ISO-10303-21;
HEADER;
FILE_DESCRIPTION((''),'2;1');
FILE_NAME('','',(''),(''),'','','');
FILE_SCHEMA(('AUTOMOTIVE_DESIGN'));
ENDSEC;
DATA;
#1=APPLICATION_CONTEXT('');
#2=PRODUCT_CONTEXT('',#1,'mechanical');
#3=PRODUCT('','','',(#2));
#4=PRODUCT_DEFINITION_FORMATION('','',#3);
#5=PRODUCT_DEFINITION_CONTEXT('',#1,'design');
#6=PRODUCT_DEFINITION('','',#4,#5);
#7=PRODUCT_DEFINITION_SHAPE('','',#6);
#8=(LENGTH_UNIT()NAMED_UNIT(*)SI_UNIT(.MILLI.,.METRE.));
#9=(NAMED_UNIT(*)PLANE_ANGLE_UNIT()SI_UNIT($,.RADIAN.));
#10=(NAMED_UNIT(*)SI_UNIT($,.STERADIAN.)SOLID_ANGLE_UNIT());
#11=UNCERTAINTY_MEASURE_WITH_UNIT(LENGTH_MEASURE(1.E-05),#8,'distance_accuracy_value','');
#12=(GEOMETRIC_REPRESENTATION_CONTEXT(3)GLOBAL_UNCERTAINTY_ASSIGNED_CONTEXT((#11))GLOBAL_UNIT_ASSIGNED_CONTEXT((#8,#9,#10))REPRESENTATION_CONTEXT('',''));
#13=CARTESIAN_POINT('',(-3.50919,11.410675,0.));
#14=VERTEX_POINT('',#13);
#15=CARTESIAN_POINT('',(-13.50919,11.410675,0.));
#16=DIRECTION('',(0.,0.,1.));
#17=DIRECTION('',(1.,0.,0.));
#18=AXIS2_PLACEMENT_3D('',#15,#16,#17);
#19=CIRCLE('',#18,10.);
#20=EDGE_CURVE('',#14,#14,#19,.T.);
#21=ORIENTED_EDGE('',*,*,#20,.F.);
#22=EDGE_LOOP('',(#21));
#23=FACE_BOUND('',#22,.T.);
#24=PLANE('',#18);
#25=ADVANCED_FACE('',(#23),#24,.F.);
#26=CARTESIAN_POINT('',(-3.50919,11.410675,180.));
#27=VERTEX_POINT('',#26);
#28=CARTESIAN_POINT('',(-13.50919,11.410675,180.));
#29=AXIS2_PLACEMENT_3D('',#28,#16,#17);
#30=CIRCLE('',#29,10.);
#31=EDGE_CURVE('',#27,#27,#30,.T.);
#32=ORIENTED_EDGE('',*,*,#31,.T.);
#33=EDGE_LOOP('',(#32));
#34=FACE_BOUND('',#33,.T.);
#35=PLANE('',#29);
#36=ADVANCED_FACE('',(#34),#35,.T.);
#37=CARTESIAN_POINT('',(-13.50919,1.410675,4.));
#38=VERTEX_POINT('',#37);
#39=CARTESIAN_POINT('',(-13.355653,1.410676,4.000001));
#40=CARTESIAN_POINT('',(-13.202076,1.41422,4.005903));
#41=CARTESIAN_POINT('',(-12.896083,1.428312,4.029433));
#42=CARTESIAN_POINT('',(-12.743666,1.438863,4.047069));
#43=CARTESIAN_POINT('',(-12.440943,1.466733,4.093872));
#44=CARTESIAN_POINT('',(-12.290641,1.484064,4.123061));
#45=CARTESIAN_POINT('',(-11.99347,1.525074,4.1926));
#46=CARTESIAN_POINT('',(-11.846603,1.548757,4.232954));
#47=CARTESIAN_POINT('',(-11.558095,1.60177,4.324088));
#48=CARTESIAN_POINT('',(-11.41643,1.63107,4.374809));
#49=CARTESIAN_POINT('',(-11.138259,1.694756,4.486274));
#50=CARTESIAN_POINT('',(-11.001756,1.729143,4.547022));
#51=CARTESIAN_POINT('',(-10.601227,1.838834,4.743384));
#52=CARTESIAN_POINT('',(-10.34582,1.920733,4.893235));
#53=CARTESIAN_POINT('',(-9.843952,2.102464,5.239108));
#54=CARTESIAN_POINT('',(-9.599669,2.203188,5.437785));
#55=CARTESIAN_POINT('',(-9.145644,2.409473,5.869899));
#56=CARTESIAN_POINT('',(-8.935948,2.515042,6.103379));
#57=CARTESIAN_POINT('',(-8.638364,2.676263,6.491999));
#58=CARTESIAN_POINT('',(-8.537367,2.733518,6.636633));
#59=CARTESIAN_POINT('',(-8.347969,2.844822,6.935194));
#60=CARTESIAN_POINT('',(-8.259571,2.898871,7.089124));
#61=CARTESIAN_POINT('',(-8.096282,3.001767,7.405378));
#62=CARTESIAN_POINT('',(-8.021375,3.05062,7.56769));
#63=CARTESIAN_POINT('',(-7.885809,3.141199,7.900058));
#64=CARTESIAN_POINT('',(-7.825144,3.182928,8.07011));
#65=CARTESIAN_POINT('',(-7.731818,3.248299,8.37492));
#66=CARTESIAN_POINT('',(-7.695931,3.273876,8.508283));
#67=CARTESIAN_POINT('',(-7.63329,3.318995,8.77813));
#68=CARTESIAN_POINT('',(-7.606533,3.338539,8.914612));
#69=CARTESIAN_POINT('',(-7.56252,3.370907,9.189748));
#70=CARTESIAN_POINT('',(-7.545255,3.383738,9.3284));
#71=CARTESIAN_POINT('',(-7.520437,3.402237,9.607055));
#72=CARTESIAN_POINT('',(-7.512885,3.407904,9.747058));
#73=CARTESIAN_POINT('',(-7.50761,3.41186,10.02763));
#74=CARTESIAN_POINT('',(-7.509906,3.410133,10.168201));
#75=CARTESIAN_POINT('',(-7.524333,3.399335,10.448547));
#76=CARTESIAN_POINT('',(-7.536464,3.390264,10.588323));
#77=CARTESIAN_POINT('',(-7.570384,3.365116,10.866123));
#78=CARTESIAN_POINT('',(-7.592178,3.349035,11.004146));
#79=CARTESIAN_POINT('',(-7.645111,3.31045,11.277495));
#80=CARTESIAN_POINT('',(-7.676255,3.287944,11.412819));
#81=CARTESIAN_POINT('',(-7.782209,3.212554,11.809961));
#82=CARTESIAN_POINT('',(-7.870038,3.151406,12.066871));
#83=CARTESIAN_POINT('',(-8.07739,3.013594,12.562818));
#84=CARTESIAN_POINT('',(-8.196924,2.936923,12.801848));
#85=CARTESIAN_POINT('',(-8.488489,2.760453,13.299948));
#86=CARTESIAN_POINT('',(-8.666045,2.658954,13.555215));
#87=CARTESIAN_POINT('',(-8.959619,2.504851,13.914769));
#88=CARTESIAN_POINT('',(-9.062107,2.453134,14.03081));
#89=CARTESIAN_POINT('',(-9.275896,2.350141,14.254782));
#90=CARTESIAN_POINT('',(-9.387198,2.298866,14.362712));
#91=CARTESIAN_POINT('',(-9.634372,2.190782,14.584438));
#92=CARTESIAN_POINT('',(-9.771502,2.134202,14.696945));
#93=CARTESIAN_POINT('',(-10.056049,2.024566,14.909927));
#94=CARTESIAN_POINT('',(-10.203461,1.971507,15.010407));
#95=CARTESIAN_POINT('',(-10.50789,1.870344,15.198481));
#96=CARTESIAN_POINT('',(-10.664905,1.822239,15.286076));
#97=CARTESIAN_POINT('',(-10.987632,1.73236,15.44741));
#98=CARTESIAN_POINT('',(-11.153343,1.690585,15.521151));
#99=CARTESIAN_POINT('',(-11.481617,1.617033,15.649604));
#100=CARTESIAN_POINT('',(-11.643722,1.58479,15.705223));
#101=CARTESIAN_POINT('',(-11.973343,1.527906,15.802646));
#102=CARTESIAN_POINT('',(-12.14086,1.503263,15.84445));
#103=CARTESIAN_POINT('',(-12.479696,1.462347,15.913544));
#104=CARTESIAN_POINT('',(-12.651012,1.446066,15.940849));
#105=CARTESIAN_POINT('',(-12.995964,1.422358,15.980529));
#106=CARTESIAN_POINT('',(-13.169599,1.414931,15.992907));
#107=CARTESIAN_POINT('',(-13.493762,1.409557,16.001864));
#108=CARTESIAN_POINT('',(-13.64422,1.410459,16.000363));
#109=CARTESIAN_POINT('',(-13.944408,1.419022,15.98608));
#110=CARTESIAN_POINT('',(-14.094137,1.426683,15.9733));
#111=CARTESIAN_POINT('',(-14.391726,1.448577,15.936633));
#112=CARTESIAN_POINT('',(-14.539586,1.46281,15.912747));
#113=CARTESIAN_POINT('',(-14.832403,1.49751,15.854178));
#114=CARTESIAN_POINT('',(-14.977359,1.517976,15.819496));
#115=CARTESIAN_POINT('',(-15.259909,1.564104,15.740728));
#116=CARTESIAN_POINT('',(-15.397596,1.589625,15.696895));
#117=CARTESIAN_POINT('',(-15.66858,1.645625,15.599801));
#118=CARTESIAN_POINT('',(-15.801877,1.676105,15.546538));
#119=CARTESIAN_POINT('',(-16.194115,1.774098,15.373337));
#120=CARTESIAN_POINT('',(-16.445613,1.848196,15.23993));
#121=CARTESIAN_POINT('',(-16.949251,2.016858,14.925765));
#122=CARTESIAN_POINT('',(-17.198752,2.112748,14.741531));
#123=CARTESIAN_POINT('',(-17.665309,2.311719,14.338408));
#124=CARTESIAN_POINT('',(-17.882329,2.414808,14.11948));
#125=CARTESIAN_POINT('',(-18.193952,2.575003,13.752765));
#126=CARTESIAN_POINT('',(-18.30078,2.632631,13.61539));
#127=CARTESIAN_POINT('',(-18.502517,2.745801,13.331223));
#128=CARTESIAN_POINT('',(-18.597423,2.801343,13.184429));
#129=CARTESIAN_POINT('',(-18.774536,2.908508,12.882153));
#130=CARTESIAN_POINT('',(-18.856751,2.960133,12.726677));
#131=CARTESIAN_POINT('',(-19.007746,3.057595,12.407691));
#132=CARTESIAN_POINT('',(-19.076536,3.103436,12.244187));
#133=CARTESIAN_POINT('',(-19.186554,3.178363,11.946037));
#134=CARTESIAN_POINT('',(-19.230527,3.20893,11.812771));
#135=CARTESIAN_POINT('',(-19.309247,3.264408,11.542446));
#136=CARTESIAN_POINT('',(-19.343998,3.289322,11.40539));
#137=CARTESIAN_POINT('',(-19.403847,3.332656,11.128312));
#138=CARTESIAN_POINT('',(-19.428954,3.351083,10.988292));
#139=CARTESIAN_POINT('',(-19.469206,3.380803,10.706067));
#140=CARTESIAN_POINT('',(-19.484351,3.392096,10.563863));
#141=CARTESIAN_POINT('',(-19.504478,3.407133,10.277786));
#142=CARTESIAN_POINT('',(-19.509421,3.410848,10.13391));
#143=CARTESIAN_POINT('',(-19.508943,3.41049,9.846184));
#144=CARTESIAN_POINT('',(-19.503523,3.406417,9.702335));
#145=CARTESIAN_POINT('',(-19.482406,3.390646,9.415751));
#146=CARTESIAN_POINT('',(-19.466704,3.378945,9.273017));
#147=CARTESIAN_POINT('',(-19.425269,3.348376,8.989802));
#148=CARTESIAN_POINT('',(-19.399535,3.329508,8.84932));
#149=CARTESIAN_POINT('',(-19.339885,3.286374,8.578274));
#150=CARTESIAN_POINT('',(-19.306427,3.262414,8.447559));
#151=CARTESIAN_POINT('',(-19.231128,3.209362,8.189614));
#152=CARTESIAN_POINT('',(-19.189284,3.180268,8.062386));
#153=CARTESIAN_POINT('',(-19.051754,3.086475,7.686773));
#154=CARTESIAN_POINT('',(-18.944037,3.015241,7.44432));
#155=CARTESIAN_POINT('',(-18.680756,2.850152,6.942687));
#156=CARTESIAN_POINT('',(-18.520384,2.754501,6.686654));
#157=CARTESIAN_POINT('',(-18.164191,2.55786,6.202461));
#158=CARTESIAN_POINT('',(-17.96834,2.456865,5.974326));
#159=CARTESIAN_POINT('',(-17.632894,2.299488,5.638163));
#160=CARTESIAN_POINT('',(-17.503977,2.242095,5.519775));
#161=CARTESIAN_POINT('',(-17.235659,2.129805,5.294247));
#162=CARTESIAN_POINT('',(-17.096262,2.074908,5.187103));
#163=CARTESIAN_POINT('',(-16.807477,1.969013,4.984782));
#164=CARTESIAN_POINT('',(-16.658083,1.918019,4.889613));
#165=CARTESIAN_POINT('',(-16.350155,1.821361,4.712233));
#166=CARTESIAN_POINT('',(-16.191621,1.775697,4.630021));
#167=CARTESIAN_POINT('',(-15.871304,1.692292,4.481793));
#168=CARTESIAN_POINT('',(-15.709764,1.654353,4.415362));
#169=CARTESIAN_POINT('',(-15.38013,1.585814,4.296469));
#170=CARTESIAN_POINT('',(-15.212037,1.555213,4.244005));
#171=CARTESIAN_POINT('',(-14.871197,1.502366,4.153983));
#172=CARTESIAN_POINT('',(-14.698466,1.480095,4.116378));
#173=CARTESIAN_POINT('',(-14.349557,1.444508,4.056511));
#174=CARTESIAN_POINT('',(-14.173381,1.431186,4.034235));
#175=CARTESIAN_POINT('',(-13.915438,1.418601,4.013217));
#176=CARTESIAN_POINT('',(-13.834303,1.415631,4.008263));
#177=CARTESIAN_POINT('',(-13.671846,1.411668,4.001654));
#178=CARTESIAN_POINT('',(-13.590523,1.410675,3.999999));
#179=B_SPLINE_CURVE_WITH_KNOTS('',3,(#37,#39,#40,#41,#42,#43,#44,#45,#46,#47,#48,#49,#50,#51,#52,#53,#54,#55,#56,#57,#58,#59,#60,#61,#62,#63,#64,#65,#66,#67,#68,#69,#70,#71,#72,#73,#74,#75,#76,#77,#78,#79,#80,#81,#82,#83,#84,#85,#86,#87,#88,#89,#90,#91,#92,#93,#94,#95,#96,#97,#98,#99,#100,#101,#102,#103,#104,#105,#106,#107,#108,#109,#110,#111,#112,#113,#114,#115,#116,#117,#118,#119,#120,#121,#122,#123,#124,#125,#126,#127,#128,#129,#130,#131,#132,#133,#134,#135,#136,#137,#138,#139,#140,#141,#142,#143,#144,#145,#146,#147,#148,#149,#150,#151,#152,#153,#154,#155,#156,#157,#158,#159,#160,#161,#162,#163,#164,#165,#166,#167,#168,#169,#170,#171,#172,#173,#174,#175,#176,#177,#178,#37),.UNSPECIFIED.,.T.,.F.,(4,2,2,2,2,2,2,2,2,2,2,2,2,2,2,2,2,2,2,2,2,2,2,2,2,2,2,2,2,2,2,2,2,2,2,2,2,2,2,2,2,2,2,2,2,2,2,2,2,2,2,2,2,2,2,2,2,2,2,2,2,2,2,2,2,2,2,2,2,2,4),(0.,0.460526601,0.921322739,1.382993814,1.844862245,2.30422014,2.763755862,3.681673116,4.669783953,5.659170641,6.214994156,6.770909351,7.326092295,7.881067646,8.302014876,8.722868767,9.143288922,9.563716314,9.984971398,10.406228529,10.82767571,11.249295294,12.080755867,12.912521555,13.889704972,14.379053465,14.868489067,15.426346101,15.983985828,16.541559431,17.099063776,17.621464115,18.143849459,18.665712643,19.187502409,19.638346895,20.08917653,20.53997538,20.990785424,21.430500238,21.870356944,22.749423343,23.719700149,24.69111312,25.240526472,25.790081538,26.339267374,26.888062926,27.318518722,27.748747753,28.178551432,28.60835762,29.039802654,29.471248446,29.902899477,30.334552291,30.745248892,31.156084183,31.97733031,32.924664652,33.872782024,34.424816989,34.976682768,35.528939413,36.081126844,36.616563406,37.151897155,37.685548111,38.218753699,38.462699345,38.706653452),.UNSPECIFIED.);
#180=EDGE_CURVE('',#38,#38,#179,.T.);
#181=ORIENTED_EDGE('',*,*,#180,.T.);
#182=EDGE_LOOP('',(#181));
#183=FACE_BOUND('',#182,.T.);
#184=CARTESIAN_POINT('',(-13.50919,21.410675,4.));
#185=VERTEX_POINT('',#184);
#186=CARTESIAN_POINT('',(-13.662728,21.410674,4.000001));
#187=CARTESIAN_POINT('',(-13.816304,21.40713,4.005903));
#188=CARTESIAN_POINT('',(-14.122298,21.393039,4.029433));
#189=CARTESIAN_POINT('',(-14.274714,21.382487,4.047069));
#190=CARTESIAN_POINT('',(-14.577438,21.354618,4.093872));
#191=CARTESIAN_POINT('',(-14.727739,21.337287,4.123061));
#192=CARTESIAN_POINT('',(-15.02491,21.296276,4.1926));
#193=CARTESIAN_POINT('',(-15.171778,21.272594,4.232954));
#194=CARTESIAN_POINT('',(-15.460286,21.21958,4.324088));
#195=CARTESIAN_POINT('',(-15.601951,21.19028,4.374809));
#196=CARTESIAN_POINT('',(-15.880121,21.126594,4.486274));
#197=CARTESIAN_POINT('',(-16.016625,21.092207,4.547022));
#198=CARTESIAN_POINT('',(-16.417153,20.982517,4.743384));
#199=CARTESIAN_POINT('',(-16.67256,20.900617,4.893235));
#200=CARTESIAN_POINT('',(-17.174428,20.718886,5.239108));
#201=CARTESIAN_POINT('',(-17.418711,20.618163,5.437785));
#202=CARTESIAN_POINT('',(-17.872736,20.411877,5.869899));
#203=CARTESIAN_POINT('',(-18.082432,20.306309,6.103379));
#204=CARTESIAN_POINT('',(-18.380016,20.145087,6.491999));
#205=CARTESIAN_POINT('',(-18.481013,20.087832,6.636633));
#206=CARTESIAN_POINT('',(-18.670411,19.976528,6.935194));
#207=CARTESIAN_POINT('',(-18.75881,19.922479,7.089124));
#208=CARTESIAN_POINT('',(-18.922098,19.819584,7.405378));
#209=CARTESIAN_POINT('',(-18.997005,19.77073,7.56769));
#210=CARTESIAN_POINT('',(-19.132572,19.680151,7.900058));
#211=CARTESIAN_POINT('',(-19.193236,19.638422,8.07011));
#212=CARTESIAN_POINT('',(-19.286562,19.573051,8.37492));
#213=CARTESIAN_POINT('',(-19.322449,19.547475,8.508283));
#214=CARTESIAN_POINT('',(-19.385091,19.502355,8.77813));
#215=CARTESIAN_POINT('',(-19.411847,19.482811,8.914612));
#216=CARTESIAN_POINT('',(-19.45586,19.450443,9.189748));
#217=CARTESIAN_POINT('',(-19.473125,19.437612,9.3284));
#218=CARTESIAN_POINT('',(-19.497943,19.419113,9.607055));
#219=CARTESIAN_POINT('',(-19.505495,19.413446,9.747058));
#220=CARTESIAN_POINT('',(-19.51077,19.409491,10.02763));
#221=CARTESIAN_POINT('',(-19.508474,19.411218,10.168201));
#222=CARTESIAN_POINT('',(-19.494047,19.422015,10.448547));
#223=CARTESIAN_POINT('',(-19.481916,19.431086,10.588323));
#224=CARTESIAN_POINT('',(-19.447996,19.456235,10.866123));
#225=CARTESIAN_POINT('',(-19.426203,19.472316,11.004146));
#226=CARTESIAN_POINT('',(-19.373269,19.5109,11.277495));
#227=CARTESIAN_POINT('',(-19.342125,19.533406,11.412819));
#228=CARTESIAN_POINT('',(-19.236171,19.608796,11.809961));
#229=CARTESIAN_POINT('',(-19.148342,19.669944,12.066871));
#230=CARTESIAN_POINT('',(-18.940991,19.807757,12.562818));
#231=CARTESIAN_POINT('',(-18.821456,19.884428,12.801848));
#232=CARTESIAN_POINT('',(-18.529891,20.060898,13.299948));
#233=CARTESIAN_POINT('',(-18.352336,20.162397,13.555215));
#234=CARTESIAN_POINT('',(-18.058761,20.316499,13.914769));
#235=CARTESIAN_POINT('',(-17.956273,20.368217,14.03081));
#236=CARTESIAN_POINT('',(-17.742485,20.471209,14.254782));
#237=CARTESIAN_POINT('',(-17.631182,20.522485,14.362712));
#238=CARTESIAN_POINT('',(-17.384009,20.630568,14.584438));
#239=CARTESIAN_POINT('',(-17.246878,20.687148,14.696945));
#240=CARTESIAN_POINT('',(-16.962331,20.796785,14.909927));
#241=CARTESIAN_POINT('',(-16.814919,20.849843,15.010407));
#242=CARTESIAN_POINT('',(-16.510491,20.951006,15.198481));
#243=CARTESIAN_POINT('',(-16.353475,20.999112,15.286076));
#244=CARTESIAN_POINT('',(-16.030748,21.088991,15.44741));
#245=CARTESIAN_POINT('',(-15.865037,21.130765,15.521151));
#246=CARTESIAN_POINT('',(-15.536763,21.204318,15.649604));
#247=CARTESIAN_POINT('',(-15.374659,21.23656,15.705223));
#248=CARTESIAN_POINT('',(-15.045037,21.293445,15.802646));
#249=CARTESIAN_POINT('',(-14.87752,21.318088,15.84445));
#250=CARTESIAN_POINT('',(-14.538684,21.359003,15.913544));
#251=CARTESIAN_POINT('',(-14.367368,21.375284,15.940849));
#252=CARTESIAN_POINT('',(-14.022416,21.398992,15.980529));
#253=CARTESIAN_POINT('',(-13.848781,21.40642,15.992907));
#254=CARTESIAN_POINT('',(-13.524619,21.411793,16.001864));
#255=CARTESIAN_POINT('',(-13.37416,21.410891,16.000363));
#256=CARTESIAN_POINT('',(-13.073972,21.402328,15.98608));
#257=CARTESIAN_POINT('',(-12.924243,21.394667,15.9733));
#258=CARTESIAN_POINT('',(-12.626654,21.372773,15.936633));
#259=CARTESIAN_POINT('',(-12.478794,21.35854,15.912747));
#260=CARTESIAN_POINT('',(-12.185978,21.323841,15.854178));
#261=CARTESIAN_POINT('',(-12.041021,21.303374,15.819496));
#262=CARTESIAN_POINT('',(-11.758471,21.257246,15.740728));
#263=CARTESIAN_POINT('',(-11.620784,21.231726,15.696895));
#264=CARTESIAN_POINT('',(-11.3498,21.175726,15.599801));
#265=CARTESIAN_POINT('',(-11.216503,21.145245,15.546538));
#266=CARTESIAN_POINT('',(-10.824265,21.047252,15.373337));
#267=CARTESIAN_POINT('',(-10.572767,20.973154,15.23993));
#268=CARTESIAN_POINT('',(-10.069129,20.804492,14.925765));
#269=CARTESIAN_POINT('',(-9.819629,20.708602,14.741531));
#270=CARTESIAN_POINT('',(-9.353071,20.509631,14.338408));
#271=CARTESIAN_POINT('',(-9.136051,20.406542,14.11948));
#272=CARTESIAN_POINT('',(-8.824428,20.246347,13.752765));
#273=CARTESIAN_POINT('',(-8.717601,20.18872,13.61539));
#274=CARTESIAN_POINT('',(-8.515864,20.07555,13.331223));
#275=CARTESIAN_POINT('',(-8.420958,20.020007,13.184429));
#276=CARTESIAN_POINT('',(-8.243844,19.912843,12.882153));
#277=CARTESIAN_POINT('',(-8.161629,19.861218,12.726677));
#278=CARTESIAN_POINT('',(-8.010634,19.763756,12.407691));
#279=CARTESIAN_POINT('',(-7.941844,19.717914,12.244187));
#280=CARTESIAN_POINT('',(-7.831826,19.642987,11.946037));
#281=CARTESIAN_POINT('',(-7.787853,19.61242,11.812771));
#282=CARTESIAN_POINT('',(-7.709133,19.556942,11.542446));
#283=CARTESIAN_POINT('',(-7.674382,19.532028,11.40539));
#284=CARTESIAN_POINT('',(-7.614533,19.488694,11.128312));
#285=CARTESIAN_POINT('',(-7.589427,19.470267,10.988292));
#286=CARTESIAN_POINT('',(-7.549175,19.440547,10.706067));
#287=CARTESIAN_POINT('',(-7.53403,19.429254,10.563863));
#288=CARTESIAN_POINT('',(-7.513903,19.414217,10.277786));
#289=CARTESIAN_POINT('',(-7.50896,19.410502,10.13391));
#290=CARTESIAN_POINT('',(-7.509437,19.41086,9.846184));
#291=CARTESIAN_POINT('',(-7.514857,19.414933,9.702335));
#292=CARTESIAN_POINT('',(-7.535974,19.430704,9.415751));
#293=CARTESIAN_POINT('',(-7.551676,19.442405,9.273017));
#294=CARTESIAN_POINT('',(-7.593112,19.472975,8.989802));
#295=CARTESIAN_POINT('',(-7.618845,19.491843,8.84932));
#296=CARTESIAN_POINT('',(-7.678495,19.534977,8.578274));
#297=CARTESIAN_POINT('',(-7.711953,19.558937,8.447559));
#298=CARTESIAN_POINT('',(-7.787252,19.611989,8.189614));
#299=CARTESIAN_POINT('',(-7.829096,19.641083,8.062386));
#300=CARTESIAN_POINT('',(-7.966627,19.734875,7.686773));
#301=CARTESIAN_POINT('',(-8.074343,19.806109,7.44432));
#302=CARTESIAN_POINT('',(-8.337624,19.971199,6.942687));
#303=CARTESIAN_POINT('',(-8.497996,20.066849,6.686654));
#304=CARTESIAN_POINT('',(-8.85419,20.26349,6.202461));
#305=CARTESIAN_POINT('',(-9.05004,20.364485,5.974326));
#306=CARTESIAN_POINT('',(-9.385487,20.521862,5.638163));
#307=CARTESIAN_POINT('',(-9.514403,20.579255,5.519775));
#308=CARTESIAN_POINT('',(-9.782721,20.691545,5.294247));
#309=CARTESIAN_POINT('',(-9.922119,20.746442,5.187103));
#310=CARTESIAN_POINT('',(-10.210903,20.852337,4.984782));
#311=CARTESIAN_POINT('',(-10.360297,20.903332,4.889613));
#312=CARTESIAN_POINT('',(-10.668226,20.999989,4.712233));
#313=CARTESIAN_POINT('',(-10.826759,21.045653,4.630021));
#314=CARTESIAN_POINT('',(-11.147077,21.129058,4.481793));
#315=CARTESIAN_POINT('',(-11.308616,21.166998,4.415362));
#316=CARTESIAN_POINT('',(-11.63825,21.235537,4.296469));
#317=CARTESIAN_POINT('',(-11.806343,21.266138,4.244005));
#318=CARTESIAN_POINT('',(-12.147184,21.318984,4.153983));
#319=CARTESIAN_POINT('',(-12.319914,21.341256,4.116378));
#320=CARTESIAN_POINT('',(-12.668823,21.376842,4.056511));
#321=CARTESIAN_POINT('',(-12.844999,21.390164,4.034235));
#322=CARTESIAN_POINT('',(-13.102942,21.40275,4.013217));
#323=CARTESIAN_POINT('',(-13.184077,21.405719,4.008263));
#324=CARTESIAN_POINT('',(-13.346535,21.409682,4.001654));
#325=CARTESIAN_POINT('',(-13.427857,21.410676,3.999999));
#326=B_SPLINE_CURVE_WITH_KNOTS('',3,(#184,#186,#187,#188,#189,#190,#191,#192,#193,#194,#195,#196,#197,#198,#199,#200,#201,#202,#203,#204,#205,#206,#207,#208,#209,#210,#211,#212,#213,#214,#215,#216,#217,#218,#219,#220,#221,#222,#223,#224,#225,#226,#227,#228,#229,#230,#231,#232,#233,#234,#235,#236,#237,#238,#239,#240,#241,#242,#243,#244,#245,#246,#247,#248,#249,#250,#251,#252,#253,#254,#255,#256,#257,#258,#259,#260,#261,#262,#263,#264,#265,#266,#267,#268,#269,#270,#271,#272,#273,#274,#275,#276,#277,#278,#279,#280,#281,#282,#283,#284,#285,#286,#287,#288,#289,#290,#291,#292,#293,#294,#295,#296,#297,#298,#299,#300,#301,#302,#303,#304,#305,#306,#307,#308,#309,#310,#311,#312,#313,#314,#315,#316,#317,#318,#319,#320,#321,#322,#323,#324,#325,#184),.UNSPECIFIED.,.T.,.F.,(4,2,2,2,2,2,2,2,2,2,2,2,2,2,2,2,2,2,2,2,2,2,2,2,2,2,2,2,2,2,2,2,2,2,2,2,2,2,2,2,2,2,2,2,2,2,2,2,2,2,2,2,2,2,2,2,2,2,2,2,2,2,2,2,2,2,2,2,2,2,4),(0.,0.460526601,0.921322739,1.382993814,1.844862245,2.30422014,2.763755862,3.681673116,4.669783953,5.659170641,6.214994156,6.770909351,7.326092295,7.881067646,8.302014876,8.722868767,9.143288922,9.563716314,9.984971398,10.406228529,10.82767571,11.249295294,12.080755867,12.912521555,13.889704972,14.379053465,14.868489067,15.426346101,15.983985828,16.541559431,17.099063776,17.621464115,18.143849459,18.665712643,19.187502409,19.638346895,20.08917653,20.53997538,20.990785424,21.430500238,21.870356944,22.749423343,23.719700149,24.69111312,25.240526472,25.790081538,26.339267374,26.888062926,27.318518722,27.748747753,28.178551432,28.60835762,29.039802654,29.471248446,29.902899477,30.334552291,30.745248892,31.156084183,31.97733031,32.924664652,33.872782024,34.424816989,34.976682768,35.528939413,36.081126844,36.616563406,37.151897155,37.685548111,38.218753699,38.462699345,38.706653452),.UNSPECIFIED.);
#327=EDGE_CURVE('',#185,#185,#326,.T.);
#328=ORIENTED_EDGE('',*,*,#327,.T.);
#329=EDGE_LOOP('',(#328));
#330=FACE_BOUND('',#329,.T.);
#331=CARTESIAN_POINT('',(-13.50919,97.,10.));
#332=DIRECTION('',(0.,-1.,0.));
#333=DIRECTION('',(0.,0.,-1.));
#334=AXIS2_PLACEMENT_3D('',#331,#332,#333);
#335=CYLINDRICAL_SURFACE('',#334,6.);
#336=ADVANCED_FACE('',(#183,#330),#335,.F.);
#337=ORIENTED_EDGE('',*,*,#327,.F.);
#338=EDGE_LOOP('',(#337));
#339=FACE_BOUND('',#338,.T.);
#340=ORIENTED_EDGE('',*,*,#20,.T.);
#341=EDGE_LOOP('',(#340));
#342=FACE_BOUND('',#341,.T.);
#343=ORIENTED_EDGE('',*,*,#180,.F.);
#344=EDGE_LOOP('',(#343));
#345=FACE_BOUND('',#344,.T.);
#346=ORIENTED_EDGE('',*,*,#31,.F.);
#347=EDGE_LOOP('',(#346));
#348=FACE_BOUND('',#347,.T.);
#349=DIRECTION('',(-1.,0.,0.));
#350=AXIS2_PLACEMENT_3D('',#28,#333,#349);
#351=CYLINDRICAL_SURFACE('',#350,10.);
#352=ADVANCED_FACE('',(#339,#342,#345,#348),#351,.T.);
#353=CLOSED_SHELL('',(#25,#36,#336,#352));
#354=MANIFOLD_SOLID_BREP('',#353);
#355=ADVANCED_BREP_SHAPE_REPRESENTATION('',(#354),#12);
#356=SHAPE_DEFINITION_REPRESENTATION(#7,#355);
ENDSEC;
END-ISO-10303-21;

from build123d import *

# Parameters (mm, degrees)
SKETCH_1_R          = 10
EXTRUDE_1_DEPTH     = 180
SKETCH_2_R          = 6
CUT_EXTRUDE_2_DEPTH = 97


with BuildPart() as part:
    # 草图1 → 凸台-拉伸1 (new body)
    with BuildSketch(Plane.XY):
        with Locations((-13.509190135, 11.410675163)):
            Circle(SKETCH_1_R)
    extrude(amount=EXTRUDE_1_DEPTH)

    # 草图2 → 切除-拉伸2 (cut)
    with BuildSketch(Plane(origin=(0, 0, 0), x_dir=(1, 0, 0), z_dir=(0, 1, 0))):
        with Locations((-13.509190135, -10)):
            Circle(SKETCH_2_R)
    extrude(amount=CUT_EXTRUDE_2_DEPTH, mode=Mode.SUBTRACT)


solid = part.part
